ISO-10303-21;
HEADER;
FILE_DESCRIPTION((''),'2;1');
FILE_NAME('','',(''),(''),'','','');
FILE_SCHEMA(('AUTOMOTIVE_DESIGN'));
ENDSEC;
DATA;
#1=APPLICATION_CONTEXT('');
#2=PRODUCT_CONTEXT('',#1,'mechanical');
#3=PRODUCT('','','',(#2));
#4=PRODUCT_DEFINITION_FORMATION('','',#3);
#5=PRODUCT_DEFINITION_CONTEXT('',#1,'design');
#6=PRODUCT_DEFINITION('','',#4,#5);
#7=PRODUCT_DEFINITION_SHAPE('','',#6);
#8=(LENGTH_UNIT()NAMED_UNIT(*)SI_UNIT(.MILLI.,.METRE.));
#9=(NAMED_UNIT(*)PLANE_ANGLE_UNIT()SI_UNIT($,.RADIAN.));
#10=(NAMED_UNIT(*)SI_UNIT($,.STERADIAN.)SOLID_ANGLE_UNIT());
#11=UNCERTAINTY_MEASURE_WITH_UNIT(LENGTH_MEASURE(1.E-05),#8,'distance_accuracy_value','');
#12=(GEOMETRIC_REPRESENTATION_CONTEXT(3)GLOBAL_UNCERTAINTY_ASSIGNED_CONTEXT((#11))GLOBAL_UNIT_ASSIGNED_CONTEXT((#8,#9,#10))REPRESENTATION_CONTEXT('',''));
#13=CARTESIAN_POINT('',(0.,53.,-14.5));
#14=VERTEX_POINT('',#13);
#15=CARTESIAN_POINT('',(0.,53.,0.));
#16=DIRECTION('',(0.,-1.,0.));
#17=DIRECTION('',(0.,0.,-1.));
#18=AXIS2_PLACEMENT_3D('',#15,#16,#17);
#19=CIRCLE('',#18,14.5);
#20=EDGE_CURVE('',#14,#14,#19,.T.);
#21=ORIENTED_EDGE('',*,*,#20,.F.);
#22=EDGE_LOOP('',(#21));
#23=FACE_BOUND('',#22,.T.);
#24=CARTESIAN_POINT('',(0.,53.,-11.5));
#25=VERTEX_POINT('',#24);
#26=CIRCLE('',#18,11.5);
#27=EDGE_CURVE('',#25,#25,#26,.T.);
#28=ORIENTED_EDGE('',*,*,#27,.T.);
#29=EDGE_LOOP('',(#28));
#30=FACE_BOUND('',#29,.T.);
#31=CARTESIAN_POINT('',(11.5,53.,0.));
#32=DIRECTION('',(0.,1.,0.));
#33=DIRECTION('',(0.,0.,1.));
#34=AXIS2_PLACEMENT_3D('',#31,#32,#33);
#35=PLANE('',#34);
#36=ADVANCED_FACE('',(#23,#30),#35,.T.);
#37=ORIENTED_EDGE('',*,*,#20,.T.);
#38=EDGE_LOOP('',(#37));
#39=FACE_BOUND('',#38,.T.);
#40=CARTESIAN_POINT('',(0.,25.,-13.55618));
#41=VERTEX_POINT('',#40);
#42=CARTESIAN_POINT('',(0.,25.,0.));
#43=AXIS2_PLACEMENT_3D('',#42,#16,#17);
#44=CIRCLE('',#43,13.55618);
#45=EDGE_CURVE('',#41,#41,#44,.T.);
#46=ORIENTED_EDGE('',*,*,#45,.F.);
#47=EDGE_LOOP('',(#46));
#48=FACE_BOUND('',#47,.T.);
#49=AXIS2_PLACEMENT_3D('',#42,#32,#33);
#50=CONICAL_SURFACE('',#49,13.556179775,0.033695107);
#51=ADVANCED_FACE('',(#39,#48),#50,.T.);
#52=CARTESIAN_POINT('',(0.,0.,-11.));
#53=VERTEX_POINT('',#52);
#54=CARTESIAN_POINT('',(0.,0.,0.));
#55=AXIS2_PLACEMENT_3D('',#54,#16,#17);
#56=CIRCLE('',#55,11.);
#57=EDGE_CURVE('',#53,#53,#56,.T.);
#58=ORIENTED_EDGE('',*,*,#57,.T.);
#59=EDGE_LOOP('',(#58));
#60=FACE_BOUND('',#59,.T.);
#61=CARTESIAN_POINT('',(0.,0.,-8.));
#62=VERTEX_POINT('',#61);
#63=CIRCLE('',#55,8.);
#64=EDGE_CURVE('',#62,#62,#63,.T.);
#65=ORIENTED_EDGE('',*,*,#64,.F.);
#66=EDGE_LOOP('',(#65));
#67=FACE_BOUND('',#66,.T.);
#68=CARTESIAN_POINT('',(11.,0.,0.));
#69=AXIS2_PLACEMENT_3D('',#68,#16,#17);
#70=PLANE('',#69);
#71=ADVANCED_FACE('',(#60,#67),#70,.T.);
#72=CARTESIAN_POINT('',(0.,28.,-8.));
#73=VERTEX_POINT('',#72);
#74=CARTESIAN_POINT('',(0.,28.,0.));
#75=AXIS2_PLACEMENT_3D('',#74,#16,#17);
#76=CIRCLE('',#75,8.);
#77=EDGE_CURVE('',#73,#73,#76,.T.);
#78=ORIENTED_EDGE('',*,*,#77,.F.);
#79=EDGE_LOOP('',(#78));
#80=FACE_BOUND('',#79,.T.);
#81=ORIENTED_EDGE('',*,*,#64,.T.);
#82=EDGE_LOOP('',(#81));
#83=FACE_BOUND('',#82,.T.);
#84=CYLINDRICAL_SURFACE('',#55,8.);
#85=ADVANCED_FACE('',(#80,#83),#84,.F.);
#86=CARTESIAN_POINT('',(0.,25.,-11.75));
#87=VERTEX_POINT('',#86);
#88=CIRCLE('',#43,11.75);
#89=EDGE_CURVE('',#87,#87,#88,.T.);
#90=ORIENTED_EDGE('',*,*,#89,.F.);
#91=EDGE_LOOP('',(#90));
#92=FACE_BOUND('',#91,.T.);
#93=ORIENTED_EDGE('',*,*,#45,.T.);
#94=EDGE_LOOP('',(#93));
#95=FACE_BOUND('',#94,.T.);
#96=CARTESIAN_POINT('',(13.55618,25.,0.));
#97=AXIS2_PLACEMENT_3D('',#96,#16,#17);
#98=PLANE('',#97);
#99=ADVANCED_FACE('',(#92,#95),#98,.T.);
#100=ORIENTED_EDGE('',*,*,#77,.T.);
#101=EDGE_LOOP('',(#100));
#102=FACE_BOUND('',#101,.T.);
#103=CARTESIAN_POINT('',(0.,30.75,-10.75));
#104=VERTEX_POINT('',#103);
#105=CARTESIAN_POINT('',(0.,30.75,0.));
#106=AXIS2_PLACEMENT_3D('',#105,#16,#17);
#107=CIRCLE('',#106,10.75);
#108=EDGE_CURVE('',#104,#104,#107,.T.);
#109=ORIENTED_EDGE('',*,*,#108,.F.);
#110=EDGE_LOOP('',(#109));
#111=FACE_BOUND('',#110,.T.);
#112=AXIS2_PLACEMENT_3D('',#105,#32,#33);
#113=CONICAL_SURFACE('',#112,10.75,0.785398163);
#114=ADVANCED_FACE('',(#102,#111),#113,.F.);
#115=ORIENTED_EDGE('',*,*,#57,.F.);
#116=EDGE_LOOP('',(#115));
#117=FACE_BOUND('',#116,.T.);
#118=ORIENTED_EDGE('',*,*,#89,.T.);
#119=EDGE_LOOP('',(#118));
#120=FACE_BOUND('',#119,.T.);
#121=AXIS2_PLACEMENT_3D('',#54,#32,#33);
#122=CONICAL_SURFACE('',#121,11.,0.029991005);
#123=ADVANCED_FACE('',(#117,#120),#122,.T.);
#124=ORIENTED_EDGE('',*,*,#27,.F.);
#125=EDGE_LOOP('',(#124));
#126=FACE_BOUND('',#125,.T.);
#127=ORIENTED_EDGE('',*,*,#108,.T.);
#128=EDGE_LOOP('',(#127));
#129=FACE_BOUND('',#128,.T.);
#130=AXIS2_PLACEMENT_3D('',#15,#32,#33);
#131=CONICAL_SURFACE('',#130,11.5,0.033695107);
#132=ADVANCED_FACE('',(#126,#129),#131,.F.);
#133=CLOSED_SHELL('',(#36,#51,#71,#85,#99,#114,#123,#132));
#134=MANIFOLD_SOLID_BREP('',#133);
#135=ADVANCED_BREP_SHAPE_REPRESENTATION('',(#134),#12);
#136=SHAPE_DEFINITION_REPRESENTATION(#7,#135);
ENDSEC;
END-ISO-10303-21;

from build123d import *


with BuildPart() as part:
    # Sketch1 → Revolve1 (revolve)
    with BuildSketch(Plane.XY, mode=Mode.PRIVATE) as revolve1_sk:
        Polygon((8, 0), (8, 28), (10.75, 30.75), (11.5, 53), (14.5, 53), (13.556179775, 25), (11.75, 25), (11, 0), align=None)
    revolve(revolve1_sk.sketch.rotate(Axis((0, 0, 0), (0, 1, 0)), 90), axis=Axis((0, 0, 0), (0, 1, 0)))


solid = part.part
